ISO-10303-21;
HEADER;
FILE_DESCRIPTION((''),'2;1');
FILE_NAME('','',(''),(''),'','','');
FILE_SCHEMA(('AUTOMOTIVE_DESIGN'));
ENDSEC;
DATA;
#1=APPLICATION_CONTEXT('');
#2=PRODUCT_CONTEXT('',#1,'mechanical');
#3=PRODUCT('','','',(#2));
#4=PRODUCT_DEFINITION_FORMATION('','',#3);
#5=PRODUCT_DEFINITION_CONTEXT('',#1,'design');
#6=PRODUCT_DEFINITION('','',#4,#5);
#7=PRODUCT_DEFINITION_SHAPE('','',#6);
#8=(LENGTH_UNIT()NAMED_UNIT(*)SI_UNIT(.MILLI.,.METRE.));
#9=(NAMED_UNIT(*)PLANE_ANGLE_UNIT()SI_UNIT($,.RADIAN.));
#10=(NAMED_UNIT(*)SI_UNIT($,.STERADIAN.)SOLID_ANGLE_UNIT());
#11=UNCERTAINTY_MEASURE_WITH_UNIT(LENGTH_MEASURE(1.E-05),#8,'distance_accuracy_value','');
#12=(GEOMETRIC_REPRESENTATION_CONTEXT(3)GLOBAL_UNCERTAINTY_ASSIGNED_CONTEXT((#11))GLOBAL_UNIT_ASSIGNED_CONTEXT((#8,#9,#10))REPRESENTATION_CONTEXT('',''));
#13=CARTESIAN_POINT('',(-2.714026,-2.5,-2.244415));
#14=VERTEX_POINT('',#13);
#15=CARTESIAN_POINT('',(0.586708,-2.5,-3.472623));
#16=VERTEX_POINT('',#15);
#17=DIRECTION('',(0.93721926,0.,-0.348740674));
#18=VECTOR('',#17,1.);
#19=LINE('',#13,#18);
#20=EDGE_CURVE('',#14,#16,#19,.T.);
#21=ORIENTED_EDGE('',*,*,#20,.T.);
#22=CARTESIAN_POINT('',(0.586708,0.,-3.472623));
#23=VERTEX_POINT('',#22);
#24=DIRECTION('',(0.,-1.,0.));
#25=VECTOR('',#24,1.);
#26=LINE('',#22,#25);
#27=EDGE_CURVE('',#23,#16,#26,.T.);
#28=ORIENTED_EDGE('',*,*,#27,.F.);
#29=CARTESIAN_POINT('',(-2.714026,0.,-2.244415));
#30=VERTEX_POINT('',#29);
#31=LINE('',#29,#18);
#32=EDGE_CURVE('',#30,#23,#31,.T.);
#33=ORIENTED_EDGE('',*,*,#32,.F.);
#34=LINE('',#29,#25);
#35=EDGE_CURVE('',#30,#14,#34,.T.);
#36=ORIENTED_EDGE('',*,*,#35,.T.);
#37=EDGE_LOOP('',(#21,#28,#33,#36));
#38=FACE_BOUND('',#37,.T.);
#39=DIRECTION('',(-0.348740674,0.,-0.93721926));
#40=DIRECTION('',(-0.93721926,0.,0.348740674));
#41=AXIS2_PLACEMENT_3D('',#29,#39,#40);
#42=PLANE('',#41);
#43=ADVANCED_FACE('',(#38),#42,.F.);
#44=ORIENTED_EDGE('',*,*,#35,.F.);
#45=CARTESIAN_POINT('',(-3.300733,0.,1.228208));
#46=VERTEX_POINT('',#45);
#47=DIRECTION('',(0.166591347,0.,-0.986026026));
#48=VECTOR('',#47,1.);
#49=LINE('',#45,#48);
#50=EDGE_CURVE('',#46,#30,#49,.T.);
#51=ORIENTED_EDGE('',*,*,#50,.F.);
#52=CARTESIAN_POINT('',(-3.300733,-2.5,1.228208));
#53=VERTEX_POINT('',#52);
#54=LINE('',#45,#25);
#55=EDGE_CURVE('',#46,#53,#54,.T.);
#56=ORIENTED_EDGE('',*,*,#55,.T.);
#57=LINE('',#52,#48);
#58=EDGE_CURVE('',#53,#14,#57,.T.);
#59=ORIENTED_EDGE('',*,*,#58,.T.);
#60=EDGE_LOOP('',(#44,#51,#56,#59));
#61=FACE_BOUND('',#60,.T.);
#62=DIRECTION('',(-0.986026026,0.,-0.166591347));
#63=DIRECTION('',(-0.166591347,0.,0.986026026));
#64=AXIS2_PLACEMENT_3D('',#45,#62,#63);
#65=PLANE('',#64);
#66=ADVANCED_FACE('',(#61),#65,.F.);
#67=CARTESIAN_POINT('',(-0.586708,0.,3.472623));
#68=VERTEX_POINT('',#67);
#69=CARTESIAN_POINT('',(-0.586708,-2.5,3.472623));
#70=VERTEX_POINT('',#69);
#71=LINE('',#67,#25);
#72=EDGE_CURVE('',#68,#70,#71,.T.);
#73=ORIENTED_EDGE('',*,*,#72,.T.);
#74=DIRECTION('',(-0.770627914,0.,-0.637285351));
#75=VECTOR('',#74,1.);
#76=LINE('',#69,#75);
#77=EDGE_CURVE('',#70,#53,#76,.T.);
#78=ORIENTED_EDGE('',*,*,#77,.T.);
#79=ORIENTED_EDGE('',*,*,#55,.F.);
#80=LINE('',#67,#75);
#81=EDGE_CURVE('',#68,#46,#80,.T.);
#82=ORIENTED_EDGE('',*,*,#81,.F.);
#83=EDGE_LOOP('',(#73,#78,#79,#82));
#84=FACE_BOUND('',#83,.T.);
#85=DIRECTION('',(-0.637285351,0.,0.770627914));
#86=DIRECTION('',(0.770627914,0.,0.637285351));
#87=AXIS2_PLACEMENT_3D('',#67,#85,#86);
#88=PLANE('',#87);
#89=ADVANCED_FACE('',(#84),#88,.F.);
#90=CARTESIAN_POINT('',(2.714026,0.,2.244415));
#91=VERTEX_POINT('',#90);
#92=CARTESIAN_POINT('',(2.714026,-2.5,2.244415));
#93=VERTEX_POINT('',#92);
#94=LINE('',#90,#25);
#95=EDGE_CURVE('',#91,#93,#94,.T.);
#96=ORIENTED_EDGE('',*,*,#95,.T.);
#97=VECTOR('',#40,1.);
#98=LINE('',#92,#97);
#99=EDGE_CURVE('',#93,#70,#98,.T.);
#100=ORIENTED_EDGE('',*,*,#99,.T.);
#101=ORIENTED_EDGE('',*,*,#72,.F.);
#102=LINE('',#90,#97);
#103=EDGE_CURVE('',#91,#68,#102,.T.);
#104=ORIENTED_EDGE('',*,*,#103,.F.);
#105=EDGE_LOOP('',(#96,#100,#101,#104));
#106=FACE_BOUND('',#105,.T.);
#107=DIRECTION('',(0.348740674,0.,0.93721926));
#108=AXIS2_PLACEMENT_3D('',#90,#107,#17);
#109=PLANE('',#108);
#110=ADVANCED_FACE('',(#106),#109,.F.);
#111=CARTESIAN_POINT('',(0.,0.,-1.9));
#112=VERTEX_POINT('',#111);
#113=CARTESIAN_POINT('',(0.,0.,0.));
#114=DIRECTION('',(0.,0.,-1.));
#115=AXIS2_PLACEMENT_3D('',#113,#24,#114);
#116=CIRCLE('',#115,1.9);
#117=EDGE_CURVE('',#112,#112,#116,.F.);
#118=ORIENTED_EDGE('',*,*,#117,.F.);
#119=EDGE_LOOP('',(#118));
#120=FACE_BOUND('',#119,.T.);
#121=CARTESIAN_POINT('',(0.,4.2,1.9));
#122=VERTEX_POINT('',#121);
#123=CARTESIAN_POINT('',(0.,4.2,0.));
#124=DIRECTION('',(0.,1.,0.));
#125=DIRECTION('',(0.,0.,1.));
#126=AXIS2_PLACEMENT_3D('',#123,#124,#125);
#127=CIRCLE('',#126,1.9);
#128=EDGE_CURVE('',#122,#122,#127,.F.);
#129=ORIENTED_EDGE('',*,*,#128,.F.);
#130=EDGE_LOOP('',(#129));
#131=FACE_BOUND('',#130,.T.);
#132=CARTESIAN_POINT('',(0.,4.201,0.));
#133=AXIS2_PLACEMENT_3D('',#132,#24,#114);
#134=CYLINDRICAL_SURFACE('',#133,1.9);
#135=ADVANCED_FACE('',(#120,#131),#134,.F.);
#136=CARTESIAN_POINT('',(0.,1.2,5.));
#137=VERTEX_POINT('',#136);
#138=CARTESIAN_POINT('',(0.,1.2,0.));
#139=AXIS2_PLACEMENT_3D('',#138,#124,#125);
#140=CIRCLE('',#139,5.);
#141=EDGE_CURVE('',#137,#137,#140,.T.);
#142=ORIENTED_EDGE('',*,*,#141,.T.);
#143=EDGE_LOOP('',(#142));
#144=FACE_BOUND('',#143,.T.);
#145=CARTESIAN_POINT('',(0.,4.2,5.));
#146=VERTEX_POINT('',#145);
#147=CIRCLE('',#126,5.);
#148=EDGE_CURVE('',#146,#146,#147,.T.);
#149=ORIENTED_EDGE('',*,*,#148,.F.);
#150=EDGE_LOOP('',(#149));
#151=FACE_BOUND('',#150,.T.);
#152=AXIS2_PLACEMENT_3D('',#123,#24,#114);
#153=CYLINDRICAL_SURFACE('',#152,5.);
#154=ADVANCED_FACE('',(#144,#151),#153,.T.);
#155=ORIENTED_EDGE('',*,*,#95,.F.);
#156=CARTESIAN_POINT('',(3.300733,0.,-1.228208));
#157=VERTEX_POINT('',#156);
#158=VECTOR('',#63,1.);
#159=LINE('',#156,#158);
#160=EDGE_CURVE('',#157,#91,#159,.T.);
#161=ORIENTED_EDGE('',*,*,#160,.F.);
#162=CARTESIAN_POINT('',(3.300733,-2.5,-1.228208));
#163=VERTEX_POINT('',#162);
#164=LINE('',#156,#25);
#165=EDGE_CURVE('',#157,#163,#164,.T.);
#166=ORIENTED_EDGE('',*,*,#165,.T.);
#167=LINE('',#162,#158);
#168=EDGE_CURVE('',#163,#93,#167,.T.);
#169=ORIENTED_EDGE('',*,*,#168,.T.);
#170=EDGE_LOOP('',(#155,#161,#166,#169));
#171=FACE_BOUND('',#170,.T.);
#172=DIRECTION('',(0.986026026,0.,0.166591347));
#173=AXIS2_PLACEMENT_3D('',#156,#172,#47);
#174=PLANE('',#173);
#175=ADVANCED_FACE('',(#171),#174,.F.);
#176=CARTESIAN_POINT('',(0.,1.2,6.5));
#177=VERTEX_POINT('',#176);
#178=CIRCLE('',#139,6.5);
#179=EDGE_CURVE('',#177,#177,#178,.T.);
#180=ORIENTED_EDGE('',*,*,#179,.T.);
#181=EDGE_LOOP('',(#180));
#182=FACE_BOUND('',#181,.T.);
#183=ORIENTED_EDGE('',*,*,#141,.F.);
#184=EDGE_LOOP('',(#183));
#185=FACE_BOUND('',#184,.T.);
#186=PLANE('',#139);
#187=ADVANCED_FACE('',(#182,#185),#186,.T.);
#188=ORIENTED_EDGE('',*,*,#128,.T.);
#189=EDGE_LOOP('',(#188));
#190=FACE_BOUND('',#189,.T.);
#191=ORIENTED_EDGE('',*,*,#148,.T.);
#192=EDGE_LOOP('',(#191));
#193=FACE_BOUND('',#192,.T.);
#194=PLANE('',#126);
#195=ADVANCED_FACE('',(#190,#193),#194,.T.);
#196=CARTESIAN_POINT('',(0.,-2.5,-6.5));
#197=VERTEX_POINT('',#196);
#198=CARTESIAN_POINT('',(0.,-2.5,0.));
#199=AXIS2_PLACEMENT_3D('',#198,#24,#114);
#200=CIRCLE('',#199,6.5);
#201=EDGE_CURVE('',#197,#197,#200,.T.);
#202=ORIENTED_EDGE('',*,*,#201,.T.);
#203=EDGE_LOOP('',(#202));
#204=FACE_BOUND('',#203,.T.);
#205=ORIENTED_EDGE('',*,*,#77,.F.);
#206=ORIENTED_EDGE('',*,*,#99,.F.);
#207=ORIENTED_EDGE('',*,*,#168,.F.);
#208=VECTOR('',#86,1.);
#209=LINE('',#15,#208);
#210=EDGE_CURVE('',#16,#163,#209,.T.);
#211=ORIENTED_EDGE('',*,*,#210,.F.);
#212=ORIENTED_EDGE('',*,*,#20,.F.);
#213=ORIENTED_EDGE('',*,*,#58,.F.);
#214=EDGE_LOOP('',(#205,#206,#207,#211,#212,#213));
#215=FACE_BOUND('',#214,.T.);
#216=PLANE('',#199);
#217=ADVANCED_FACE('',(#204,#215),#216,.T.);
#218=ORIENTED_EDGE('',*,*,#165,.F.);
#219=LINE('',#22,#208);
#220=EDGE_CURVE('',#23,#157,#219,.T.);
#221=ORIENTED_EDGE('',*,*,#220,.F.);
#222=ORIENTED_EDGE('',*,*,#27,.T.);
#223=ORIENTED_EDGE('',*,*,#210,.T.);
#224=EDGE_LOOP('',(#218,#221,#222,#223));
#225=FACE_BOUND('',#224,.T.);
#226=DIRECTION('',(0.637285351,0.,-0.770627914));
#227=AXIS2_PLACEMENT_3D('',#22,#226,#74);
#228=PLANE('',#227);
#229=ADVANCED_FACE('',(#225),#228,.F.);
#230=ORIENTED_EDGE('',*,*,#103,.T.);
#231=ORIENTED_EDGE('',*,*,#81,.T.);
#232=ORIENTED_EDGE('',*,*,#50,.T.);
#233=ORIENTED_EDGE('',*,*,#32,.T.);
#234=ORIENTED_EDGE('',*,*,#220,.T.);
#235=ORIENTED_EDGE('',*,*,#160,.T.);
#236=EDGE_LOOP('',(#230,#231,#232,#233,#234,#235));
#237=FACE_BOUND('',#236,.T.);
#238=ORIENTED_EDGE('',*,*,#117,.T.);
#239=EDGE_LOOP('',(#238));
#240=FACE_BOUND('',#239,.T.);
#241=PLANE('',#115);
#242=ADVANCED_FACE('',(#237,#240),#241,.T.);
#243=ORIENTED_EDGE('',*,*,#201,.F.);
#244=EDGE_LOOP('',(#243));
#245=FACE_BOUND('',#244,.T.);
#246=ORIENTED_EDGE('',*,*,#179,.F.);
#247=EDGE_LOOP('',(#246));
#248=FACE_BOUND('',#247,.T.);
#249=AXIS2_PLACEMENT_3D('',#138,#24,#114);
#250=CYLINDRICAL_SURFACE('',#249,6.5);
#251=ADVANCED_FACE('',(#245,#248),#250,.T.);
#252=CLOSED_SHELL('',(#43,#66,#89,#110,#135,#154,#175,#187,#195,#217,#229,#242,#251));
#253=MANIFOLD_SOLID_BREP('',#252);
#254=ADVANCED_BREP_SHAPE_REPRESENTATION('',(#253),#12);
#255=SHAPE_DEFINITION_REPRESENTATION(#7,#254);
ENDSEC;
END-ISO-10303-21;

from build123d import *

# Parameters (mm, degrees)
CROQUIS1_R              = 6.5
SALIENTE_EXTRUIR1_DEPTH = 1.2
CROQUIS2_R              = 5
SALIENTE_EXTRUIR2_DEPTH = 3
CROQUIS3_R              = 1.8
CORTAR_EXTRUIR1_DEPTH   = 3
CORTAR_EXTRUIR2_REACH   = 6.2
CROQUIS4_R              = 1.9
CROQUIS5_R              = 6.5
SALIENTE_EXTRUIR3_DEPTH = 2.5
CORTAR_EXTRUIR3_DEPTH   = 2.5


with BuildPart() as part:
    # Croquis1 → Saliente-Extruir1 (new body)
    with BuildSketch(Plane(origin=(0, 0, 0), x_dir=(1, 0, 0), z_dir=(0, 1, 0))):
        Circle(CROQUIS1_R)
    extrude(amount=SALIENTE_EXTRUIR1_DEPTH)

    # Croquis2 → Saliente-Extruir2 (add)
    with BuildSketch(Plane(origin=(0, 1.2, 0), x_dir=(1, 0, 0), z_dir=(0, 1, 0))):
        Circle(CROQUIS2_R)
    extrude(amount=SALIENTE_EXTRUIR2_DEPTH)

    # Croquis3 → Cortar-Extruir1 (cut)
    with BuildSketch(Plane(origin=(0, 4.2, 0), x_dir=(1, 0, 0), z_dir=(0, 1, 0))):
        Circle(CROQUIS3_R)
    extrude(amount=-CORTAR_EXTRUIR1_DEPTH, mode=Mode.SUBTRACT)

    # Croquis4 → Cortar-Extruir2 (cut, up to next)
    with BuildSketch(Plane.XZ, mode=Mode.PRIVATE) as cortar_extruir2_sk1:
        Circle(CROQUIS4_R)
    cortar_extruir2_tool1 = extrude(cortar_extruir2_sk1.sketch, amount=-CORTAR_EXTRUIR2_REACH, mode=Mode.PRIVATE) & part.part
    add(cortar_extruir2_tool1.solids().sort_by_distance((0, 0, 0))[0], mode=Mode.SUBTRACT)

    # Croquis5 → Saliente-Extruir3 (add)
    with BuildSketch(Plane.XZ):
        Circle(CROQUIS5_R)
    extrude(amount=SALIENTE_EXTRUIR3_DEPTH)

    # Croquis6 → Cortar-Extruir3 (cut)
    with BuildSketch(Plane.XZ.offset(2.5)):
        Polygon((-3.300733133, 1.228207686), (-2.714025623, -2.244414901), (0.586707509, -3.472622587), (3.300733133, -1.228207686), (2.714025623, 2.244414901), (-0.586707509, 3.472622587), align=None)
    extrude(amount=-CORTAR_EXTRUIR3_DEPTH, mode=Mode.SUBTRACT)


solid = part.part
